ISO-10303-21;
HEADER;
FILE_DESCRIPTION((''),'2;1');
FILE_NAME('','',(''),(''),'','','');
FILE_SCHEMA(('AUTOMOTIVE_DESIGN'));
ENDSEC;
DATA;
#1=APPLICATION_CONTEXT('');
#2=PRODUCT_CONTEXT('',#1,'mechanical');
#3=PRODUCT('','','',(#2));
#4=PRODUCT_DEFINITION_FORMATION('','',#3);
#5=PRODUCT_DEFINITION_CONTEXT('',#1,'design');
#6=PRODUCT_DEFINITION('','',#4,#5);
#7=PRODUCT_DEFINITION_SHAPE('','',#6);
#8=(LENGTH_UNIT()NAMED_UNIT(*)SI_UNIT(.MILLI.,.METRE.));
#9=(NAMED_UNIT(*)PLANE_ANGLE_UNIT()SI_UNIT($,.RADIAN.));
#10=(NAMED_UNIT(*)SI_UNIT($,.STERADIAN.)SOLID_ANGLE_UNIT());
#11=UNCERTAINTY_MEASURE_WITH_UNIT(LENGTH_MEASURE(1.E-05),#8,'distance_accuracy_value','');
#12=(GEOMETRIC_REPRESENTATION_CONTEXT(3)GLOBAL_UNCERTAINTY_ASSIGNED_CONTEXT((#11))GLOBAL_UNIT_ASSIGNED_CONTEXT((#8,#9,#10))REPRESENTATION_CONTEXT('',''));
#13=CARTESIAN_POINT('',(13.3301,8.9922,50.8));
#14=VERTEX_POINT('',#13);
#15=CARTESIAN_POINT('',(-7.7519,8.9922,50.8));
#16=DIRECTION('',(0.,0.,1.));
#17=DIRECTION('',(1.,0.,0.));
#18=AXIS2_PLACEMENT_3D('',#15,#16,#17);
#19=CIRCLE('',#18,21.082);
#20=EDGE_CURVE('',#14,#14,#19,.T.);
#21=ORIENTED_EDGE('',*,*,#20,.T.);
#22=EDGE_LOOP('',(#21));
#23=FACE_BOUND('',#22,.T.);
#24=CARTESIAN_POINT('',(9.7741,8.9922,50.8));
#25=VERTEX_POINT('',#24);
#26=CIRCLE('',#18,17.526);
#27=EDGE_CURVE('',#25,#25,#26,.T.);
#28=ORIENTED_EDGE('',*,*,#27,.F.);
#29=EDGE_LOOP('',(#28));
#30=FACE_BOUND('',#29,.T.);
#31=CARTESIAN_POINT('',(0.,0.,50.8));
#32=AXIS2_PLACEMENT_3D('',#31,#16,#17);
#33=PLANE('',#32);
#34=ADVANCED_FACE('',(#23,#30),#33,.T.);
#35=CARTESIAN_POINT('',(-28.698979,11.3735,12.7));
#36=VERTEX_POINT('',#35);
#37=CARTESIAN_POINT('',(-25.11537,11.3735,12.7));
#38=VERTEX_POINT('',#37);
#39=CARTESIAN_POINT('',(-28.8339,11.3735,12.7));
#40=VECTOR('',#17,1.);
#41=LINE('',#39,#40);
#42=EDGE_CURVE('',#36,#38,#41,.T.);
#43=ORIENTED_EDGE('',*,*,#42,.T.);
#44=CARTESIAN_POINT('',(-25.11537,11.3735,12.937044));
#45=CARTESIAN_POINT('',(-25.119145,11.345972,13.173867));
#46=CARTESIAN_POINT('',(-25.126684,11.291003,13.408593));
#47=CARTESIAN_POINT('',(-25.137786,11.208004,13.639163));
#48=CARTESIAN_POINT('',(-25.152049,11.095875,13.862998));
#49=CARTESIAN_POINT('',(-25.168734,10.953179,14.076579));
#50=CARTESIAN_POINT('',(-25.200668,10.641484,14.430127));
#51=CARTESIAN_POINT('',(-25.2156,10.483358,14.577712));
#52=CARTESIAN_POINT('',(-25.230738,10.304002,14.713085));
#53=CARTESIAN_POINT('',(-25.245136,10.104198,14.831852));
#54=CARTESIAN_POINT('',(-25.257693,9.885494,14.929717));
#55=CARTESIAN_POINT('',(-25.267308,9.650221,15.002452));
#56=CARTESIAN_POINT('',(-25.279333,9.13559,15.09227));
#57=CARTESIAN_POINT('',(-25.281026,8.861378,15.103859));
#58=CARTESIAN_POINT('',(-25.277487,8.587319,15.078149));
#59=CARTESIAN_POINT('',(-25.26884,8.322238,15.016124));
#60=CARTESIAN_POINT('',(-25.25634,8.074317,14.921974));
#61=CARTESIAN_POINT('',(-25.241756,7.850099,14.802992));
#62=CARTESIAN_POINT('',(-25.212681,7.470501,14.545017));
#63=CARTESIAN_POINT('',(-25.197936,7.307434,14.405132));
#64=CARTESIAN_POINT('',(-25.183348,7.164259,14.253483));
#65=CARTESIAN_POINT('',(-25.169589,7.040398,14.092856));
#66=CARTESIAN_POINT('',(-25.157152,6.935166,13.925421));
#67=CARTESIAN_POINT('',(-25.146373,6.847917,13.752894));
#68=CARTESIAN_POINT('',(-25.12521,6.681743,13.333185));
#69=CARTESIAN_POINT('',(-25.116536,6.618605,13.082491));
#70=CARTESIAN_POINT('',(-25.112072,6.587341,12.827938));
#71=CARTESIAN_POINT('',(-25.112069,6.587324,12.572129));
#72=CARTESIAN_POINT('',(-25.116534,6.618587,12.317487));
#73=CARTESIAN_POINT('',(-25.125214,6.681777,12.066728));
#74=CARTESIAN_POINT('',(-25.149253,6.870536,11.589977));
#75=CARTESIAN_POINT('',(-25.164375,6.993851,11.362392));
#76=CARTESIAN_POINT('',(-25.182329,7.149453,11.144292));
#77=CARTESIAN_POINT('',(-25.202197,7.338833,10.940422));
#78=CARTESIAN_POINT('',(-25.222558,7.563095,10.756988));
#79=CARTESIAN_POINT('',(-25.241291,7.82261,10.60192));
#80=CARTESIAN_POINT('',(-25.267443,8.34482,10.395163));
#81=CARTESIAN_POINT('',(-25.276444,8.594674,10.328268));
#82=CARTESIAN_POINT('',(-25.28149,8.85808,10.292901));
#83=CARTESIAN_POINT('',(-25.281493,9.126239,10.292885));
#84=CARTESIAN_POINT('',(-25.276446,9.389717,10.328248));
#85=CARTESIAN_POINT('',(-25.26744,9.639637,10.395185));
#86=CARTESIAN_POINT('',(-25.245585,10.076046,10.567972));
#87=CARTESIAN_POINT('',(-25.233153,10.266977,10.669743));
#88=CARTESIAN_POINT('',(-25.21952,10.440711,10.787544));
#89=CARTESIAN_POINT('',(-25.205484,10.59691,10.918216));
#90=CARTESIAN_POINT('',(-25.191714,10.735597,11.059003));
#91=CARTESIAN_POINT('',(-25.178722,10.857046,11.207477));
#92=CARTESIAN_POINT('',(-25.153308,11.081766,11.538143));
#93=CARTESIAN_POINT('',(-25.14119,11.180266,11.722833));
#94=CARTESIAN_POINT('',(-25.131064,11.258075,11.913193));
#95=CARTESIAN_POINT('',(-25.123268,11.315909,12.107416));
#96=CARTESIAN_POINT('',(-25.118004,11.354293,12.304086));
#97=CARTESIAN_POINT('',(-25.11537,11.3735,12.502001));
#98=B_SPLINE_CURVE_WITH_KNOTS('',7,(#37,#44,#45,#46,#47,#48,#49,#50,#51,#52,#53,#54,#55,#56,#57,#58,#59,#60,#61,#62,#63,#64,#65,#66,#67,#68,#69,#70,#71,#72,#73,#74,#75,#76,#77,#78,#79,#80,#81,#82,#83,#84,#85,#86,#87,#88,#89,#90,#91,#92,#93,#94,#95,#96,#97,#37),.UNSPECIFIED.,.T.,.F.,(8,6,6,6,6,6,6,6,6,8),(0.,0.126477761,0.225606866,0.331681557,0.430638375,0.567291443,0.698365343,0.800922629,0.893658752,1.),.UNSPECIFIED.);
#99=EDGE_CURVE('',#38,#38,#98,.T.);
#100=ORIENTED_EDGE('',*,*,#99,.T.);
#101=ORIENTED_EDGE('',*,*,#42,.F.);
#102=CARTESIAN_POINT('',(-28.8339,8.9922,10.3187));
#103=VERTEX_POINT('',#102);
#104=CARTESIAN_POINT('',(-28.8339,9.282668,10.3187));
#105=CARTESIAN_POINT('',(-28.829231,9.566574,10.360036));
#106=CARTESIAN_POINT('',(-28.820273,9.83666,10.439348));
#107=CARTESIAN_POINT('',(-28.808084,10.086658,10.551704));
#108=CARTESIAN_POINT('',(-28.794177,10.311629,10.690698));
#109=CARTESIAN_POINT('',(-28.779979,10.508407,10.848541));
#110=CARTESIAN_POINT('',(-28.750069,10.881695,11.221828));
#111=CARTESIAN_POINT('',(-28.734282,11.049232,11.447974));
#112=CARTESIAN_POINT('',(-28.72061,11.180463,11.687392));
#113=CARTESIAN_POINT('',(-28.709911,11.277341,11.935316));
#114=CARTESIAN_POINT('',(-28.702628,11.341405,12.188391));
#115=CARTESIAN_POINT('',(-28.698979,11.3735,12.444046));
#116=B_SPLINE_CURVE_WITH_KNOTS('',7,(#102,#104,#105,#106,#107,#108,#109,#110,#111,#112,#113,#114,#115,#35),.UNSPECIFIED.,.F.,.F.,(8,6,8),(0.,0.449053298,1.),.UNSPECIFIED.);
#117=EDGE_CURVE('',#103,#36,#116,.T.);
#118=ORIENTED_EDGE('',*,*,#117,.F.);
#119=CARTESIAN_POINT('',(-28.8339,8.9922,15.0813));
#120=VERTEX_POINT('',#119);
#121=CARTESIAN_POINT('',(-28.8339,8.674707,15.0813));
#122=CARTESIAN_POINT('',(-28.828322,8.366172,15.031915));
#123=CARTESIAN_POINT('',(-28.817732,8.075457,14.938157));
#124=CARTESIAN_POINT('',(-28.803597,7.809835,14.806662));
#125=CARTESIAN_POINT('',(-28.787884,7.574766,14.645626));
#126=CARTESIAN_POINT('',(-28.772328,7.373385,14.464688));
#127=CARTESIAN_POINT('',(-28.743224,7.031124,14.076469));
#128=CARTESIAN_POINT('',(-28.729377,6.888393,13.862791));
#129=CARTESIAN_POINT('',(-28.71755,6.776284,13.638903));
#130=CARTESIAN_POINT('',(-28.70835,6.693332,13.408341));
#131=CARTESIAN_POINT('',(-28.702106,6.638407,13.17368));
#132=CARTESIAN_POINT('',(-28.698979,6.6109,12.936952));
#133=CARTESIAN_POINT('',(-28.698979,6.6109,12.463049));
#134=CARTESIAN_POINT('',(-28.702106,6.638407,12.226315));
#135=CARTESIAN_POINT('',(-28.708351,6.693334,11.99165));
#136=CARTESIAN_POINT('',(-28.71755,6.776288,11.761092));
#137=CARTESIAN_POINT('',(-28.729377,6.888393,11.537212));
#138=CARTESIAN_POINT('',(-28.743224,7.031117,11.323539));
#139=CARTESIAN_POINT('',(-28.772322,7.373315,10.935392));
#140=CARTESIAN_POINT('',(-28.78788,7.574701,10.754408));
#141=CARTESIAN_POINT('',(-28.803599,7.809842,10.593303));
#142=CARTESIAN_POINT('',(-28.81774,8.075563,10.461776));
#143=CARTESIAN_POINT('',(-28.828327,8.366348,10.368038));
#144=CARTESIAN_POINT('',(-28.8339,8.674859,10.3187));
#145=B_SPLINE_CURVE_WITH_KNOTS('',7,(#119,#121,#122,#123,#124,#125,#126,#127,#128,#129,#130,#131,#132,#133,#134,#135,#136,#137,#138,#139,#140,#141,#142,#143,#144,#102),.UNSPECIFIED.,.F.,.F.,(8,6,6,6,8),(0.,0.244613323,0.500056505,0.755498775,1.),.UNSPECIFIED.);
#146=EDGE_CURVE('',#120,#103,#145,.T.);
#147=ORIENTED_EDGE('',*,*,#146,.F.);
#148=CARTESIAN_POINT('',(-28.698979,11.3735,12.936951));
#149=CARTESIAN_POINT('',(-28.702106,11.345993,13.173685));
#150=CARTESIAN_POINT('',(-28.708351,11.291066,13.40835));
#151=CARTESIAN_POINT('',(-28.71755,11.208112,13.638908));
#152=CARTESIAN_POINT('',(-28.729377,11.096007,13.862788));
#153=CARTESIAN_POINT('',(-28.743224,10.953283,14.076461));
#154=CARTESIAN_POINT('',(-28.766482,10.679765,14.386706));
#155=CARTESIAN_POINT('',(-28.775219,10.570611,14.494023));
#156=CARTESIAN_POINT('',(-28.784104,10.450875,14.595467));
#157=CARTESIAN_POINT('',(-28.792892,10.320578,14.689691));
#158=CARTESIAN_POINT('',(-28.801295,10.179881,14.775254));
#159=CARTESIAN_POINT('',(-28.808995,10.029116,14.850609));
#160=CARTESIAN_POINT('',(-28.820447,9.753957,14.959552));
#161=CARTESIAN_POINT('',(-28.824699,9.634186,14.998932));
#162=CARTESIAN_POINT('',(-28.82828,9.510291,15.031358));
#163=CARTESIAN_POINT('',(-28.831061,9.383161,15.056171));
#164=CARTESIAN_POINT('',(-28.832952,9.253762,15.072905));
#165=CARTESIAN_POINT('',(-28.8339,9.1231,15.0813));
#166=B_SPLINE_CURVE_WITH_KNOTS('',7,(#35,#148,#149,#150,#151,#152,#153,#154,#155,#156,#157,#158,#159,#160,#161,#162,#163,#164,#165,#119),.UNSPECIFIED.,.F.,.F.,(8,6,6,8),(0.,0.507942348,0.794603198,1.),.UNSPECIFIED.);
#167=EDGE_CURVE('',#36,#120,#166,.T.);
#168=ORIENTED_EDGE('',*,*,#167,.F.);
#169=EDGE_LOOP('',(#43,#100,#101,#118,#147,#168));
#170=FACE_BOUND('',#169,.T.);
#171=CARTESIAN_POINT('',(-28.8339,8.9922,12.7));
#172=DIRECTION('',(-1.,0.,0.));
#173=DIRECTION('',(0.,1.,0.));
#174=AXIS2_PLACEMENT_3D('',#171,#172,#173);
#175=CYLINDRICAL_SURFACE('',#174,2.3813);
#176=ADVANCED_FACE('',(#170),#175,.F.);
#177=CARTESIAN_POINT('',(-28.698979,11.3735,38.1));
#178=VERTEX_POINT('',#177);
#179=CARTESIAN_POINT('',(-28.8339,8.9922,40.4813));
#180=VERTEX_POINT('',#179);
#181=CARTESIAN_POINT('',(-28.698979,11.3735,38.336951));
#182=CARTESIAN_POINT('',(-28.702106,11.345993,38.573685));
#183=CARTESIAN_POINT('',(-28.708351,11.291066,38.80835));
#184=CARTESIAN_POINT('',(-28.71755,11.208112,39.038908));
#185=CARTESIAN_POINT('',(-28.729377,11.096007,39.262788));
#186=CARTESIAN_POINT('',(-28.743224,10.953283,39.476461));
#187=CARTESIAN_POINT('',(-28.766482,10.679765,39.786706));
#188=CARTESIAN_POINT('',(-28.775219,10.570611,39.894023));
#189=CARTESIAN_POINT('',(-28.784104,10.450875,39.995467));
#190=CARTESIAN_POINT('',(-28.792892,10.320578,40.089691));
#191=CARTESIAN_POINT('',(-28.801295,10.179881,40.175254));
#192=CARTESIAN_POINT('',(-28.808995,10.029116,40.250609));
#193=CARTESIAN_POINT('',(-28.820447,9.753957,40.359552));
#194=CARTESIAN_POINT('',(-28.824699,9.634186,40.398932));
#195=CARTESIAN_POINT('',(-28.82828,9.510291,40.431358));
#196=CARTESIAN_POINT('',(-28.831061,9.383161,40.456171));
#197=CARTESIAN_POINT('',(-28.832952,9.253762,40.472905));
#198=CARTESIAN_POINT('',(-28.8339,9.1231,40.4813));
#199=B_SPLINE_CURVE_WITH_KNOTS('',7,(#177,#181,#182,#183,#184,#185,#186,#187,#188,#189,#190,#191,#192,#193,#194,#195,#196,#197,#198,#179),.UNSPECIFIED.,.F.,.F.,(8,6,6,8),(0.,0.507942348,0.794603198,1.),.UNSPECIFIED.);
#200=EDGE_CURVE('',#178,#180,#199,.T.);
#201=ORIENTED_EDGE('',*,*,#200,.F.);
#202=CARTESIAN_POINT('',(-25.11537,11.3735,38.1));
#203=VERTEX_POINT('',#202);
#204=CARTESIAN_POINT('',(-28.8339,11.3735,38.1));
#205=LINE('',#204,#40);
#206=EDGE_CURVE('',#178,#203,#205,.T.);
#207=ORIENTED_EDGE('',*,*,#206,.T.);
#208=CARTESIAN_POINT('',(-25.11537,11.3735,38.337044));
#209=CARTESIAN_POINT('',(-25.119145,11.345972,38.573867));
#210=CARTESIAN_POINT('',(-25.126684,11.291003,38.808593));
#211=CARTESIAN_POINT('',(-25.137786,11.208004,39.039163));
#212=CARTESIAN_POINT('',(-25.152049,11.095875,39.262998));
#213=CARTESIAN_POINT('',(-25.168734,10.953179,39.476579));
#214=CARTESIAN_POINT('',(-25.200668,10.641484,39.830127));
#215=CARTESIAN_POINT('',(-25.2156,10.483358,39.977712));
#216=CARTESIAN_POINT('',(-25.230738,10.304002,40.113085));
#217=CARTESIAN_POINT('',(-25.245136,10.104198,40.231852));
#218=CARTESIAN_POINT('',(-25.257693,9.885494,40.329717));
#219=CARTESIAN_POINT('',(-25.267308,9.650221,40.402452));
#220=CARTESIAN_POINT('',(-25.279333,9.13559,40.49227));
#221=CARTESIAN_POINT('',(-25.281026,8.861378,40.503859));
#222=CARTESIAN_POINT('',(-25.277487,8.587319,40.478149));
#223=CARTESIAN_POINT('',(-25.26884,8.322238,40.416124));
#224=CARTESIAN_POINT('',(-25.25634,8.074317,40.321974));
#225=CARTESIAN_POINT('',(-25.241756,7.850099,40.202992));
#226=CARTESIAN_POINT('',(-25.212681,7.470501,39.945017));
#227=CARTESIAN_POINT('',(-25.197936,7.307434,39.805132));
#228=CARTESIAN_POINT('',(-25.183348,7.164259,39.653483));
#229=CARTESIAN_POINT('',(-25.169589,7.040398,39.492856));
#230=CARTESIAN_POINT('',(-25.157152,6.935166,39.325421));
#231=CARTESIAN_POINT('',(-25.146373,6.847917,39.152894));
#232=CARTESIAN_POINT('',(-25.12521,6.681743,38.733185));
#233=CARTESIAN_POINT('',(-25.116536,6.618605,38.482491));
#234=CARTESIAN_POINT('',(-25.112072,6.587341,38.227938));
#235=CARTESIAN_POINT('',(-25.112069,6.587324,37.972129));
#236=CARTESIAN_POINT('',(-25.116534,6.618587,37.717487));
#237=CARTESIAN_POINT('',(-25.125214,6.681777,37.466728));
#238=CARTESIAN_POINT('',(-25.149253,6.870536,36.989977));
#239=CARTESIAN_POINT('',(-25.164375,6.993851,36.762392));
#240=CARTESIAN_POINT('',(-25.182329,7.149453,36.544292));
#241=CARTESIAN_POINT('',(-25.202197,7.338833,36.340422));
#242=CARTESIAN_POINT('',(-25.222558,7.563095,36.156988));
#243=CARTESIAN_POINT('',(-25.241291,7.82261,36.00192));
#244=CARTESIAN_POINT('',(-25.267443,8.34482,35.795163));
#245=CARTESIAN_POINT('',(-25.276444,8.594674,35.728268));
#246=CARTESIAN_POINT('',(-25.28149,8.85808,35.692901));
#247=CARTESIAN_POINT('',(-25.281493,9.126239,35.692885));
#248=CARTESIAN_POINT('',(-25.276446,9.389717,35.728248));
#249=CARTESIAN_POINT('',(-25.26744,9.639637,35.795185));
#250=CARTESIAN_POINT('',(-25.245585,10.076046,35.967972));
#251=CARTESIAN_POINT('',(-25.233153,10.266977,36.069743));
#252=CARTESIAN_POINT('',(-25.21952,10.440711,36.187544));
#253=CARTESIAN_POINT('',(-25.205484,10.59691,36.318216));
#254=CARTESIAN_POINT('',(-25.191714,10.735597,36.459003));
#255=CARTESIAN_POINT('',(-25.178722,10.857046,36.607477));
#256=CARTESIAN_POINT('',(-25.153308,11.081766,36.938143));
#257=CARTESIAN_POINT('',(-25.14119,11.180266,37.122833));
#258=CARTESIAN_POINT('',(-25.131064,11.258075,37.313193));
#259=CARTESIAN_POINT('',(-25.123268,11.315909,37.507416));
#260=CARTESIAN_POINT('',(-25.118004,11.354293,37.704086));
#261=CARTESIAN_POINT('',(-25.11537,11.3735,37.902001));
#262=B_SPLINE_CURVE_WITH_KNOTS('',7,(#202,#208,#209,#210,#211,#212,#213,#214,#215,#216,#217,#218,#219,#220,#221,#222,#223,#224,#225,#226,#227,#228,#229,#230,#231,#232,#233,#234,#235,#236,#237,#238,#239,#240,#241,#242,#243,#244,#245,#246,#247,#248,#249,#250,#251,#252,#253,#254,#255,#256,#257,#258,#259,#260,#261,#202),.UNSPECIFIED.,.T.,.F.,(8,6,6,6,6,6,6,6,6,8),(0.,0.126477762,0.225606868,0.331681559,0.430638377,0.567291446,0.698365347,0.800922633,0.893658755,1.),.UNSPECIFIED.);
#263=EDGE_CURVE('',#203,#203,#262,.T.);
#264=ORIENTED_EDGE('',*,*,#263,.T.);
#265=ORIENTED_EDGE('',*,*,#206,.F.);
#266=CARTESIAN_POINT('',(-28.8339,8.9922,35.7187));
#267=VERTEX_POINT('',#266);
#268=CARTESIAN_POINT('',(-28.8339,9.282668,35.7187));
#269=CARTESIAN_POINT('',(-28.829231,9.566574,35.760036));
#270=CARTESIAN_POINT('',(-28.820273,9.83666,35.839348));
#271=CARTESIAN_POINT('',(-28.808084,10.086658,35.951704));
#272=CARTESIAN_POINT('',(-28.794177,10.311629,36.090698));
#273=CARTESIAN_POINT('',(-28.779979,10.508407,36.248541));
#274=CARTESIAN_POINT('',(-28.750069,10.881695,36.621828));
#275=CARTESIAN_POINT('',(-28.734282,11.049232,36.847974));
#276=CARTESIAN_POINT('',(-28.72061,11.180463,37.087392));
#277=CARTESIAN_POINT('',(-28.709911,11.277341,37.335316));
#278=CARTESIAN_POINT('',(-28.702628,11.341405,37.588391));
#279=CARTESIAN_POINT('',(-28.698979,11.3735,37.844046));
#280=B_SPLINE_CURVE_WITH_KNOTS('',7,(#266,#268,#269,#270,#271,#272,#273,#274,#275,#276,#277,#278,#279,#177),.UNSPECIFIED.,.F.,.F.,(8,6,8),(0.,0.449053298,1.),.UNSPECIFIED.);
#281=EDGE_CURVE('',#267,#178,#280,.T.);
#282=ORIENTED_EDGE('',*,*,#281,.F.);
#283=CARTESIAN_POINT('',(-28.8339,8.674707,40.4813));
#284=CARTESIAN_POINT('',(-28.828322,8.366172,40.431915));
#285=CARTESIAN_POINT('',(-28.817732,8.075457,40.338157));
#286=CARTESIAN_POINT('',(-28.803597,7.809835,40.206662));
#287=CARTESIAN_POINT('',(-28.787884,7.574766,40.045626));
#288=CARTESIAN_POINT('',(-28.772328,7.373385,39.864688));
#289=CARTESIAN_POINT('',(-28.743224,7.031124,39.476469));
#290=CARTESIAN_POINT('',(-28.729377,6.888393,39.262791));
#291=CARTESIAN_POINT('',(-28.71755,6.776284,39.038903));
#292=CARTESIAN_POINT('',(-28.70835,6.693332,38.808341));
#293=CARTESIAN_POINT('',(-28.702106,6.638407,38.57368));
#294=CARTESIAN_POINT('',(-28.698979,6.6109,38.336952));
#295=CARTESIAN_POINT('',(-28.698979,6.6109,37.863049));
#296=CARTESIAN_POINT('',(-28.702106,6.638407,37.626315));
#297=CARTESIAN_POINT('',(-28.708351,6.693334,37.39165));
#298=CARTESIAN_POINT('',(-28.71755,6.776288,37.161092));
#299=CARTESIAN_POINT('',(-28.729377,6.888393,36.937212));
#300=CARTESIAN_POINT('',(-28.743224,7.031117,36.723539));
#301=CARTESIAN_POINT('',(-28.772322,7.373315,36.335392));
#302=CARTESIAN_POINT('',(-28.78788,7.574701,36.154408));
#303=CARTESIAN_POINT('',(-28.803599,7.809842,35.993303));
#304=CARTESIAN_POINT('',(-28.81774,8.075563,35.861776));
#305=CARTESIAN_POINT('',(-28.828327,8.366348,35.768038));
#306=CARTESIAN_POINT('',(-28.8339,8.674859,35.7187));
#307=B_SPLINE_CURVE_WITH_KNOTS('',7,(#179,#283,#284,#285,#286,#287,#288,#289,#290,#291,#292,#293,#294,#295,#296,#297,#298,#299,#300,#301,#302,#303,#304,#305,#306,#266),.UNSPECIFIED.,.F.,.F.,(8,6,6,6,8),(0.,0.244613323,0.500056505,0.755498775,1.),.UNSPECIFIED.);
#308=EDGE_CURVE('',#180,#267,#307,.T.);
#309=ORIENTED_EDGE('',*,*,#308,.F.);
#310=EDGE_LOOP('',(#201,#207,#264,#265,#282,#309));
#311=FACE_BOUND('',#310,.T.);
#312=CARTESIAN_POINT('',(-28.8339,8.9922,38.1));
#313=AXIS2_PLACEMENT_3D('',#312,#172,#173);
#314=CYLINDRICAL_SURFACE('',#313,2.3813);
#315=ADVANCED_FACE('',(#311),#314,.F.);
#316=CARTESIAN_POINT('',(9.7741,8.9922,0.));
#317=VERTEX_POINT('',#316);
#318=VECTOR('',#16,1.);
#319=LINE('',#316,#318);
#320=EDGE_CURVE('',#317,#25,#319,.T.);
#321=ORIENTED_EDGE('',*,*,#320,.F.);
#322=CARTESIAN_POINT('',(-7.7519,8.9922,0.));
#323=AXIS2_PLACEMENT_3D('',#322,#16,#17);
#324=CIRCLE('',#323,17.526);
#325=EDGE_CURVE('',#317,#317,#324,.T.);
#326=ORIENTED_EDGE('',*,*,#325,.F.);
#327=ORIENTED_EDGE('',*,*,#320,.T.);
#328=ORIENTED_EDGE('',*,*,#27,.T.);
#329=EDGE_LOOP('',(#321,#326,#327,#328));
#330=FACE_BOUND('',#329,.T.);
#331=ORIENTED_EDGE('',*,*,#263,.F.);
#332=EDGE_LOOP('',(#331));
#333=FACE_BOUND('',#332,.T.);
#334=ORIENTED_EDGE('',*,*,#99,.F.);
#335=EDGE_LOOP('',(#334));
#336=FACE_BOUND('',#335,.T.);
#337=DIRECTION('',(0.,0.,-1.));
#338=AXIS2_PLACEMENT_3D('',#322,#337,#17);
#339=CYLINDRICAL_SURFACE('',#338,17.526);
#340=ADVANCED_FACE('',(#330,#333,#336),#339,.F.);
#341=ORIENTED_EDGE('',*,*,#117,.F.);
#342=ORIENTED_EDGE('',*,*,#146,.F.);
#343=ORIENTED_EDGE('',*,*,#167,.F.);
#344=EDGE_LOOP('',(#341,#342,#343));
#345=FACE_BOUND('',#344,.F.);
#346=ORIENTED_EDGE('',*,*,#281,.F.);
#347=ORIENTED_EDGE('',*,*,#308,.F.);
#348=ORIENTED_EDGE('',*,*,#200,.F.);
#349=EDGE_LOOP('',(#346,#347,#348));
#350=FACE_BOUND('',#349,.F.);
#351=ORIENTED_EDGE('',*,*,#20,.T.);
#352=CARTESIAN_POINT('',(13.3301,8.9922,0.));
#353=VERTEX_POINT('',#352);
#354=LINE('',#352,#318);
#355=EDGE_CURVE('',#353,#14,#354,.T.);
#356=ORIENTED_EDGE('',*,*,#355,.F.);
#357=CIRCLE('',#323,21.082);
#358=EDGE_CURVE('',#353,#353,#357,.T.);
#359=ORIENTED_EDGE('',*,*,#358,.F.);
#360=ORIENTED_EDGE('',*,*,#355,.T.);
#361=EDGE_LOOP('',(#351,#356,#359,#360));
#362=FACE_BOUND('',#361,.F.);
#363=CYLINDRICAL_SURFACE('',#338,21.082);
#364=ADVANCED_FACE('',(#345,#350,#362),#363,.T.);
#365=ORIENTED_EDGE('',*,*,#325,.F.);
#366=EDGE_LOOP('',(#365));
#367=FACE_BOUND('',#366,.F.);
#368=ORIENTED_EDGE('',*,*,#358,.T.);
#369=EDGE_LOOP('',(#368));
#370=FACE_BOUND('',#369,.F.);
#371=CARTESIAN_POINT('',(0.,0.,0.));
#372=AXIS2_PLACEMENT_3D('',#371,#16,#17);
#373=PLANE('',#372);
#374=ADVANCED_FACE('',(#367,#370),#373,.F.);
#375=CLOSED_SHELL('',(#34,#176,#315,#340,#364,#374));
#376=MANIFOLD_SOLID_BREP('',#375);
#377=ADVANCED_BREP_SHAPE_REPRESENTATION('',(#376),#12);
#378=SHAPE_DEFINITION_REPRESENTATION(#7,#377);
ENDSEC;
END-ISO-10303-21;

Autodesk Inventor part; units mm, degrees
ref_plane "XZ Plane" through (0, 0, 0) normal (0, 1, 0) x (-1, 0, 0)
ref_plane "XY Plane" through (0, 0, 0) normal (0, 0, 1) x (1, 0, 0)
sketch "Sketch1" plane through (0, 0, 0) normal (0, 0, 1) x (1, 0, 0)
  circle A0 centre (-7.7519, 8.9922) radius 21.082
  circle A1 centre (-7.7519, 8.9922) radius 17.526
  dimension "d0" = 42.164
  dimension "d1" = 35.052
extrude "Extrusion1" add sketch "Sketch1" along normal blind 50.8
ref_plane "Work Plane1" through (-28.8339, 8.9922, 0) normal (1, 0, 0) x (0, 1, 0)
sketch "Sketch2" plane through (-28.8339, 8.9922, 0) normal (1, 0, 0) x (0, 1, 0)
  line L0 (0, -10.16) -> (0, 60.96) projected
  line L1 (-17.526, 50.8) -> (17.526, 50.8) projected
  line L2 (-21.082, 50.8) -> (21.082, 50.8) projected
  line L3 (-21.082, 50.8) -> (21.082, 50.8) projected
  line L4 (-21.082, 0) -> (21.082, 0) projected
  line L5 (0, 0) -> (0, 50.8) projected
  line L6 (21.082, 0) -> (21.082, 50.8) projected
  line L7 (-21.082, 0) -> (-21.082, 50.8) projected
  circle A0 centre (0, 12.7) radius 2.3813
  circle A1 centre (0, 38.1) radius 2.3813
  dimension "d4" = 12.7
  dimension "d5" = 12.7
  dimension "d6" = 4.7625
  dimension "d7" = 4.7625
extrude "Extrusion2" cut sketch "Sketch2" along normal up to next contours A0 L0 | L0 A0 | A1 L0 | L0 A1
properties part number "FE-00013-02"
